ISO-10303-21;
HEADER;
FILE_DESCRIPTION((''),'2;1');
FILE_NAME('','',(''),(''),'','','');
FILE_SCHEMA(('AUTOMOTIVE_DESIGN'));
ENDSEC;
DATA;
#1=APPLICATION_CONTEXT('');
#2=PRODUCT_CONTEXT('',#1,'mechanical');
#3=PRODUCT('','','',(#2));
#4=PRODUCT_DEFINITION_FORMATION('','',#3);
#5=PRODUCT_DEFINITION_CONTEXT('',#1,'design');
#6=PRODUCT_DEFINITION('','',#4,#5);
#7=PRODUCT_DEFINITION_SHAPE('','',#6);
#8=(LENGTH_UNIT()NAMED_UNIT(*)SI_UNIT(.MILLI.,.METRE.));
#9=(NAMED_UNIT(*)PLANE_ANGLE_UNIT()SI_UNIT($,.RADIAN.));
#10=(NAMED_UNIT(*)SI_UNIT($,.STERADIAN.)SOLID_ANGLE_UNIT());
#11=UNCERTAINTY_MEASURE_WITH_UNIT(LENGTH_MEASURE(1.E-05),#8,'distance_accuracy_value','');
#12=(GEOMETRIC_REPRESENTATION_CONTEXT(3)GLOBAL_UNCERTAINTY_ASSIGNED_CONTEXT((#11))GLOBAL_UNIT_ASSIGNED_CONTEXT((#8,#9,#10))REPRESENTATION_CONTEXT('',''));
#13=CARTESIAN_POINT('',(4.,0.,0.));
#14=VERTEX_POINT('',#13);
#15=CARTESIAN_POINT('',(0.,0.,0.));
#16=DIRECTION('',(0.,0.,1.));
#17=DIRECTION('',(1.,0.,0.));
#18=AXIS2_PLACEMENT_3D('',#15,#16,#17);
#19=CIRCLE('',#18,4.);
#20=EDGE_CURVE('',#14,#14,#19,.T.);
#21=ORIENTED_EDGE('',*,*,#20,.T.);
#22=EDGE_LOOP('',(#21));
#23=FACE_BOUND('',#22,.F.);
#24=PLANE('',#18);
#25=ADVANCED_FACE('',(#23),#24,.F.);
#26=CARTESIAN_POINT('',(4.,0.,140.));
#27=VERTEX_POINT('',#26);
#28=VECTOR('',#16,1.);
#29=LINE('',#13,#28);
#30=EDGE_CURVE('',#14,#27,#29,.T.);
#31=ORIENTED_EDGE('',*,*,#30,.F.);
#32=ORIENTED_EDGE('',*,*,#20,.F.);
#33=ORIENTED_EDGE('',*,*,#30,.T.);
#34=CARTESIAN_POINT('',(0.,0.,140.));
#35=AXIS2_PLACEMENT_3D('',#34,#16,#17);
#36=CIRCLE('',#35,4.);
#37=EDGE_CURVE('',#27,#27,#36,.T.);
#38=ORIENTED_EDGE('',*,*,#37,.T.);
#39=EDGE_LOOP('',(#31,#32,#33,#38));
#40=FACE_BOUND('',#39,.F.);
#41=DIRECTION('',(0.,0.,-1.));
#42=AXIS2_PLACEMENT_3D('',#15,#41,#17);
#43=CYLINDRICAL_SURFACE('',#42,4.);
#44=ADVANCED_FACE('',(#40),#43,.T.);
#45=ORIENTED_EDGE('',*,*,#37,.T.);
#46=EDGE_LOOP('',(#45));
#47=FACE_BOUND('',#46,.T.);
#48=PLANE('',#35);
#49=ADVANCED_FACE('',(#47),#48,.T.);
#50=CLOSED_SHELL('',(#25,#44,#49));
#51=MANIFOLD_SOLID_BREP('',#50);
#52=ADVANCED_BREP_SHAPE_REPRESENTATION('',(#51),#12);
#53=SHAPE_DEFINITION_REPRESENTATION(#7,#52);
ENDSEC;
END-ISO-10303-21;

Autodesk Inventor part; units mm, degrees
ref_plane "YZ Plane" through (0, 0, 0) normal (1, 0, 0) x (0, 1, 0)
ref_plane "XZ Plane" through (0, 0, 0) normal (0, 1, 0) x (-1, 0, 0)
ref_plane "XY Plane" through (0, 0, 0) normal (0, 0, 1) x (1, 0, 0)
sketch "Sketch1" plane through (0, 0, 0) normal (0, 0, 1) x (1, 0, 0)
  circle A0 centre (0, 0) radius 4
  dimension "d0" = 8
extrude "Extrusion1" add sketch "Sketch1" along normal blind 140
properties part number "g_6mm rod"
